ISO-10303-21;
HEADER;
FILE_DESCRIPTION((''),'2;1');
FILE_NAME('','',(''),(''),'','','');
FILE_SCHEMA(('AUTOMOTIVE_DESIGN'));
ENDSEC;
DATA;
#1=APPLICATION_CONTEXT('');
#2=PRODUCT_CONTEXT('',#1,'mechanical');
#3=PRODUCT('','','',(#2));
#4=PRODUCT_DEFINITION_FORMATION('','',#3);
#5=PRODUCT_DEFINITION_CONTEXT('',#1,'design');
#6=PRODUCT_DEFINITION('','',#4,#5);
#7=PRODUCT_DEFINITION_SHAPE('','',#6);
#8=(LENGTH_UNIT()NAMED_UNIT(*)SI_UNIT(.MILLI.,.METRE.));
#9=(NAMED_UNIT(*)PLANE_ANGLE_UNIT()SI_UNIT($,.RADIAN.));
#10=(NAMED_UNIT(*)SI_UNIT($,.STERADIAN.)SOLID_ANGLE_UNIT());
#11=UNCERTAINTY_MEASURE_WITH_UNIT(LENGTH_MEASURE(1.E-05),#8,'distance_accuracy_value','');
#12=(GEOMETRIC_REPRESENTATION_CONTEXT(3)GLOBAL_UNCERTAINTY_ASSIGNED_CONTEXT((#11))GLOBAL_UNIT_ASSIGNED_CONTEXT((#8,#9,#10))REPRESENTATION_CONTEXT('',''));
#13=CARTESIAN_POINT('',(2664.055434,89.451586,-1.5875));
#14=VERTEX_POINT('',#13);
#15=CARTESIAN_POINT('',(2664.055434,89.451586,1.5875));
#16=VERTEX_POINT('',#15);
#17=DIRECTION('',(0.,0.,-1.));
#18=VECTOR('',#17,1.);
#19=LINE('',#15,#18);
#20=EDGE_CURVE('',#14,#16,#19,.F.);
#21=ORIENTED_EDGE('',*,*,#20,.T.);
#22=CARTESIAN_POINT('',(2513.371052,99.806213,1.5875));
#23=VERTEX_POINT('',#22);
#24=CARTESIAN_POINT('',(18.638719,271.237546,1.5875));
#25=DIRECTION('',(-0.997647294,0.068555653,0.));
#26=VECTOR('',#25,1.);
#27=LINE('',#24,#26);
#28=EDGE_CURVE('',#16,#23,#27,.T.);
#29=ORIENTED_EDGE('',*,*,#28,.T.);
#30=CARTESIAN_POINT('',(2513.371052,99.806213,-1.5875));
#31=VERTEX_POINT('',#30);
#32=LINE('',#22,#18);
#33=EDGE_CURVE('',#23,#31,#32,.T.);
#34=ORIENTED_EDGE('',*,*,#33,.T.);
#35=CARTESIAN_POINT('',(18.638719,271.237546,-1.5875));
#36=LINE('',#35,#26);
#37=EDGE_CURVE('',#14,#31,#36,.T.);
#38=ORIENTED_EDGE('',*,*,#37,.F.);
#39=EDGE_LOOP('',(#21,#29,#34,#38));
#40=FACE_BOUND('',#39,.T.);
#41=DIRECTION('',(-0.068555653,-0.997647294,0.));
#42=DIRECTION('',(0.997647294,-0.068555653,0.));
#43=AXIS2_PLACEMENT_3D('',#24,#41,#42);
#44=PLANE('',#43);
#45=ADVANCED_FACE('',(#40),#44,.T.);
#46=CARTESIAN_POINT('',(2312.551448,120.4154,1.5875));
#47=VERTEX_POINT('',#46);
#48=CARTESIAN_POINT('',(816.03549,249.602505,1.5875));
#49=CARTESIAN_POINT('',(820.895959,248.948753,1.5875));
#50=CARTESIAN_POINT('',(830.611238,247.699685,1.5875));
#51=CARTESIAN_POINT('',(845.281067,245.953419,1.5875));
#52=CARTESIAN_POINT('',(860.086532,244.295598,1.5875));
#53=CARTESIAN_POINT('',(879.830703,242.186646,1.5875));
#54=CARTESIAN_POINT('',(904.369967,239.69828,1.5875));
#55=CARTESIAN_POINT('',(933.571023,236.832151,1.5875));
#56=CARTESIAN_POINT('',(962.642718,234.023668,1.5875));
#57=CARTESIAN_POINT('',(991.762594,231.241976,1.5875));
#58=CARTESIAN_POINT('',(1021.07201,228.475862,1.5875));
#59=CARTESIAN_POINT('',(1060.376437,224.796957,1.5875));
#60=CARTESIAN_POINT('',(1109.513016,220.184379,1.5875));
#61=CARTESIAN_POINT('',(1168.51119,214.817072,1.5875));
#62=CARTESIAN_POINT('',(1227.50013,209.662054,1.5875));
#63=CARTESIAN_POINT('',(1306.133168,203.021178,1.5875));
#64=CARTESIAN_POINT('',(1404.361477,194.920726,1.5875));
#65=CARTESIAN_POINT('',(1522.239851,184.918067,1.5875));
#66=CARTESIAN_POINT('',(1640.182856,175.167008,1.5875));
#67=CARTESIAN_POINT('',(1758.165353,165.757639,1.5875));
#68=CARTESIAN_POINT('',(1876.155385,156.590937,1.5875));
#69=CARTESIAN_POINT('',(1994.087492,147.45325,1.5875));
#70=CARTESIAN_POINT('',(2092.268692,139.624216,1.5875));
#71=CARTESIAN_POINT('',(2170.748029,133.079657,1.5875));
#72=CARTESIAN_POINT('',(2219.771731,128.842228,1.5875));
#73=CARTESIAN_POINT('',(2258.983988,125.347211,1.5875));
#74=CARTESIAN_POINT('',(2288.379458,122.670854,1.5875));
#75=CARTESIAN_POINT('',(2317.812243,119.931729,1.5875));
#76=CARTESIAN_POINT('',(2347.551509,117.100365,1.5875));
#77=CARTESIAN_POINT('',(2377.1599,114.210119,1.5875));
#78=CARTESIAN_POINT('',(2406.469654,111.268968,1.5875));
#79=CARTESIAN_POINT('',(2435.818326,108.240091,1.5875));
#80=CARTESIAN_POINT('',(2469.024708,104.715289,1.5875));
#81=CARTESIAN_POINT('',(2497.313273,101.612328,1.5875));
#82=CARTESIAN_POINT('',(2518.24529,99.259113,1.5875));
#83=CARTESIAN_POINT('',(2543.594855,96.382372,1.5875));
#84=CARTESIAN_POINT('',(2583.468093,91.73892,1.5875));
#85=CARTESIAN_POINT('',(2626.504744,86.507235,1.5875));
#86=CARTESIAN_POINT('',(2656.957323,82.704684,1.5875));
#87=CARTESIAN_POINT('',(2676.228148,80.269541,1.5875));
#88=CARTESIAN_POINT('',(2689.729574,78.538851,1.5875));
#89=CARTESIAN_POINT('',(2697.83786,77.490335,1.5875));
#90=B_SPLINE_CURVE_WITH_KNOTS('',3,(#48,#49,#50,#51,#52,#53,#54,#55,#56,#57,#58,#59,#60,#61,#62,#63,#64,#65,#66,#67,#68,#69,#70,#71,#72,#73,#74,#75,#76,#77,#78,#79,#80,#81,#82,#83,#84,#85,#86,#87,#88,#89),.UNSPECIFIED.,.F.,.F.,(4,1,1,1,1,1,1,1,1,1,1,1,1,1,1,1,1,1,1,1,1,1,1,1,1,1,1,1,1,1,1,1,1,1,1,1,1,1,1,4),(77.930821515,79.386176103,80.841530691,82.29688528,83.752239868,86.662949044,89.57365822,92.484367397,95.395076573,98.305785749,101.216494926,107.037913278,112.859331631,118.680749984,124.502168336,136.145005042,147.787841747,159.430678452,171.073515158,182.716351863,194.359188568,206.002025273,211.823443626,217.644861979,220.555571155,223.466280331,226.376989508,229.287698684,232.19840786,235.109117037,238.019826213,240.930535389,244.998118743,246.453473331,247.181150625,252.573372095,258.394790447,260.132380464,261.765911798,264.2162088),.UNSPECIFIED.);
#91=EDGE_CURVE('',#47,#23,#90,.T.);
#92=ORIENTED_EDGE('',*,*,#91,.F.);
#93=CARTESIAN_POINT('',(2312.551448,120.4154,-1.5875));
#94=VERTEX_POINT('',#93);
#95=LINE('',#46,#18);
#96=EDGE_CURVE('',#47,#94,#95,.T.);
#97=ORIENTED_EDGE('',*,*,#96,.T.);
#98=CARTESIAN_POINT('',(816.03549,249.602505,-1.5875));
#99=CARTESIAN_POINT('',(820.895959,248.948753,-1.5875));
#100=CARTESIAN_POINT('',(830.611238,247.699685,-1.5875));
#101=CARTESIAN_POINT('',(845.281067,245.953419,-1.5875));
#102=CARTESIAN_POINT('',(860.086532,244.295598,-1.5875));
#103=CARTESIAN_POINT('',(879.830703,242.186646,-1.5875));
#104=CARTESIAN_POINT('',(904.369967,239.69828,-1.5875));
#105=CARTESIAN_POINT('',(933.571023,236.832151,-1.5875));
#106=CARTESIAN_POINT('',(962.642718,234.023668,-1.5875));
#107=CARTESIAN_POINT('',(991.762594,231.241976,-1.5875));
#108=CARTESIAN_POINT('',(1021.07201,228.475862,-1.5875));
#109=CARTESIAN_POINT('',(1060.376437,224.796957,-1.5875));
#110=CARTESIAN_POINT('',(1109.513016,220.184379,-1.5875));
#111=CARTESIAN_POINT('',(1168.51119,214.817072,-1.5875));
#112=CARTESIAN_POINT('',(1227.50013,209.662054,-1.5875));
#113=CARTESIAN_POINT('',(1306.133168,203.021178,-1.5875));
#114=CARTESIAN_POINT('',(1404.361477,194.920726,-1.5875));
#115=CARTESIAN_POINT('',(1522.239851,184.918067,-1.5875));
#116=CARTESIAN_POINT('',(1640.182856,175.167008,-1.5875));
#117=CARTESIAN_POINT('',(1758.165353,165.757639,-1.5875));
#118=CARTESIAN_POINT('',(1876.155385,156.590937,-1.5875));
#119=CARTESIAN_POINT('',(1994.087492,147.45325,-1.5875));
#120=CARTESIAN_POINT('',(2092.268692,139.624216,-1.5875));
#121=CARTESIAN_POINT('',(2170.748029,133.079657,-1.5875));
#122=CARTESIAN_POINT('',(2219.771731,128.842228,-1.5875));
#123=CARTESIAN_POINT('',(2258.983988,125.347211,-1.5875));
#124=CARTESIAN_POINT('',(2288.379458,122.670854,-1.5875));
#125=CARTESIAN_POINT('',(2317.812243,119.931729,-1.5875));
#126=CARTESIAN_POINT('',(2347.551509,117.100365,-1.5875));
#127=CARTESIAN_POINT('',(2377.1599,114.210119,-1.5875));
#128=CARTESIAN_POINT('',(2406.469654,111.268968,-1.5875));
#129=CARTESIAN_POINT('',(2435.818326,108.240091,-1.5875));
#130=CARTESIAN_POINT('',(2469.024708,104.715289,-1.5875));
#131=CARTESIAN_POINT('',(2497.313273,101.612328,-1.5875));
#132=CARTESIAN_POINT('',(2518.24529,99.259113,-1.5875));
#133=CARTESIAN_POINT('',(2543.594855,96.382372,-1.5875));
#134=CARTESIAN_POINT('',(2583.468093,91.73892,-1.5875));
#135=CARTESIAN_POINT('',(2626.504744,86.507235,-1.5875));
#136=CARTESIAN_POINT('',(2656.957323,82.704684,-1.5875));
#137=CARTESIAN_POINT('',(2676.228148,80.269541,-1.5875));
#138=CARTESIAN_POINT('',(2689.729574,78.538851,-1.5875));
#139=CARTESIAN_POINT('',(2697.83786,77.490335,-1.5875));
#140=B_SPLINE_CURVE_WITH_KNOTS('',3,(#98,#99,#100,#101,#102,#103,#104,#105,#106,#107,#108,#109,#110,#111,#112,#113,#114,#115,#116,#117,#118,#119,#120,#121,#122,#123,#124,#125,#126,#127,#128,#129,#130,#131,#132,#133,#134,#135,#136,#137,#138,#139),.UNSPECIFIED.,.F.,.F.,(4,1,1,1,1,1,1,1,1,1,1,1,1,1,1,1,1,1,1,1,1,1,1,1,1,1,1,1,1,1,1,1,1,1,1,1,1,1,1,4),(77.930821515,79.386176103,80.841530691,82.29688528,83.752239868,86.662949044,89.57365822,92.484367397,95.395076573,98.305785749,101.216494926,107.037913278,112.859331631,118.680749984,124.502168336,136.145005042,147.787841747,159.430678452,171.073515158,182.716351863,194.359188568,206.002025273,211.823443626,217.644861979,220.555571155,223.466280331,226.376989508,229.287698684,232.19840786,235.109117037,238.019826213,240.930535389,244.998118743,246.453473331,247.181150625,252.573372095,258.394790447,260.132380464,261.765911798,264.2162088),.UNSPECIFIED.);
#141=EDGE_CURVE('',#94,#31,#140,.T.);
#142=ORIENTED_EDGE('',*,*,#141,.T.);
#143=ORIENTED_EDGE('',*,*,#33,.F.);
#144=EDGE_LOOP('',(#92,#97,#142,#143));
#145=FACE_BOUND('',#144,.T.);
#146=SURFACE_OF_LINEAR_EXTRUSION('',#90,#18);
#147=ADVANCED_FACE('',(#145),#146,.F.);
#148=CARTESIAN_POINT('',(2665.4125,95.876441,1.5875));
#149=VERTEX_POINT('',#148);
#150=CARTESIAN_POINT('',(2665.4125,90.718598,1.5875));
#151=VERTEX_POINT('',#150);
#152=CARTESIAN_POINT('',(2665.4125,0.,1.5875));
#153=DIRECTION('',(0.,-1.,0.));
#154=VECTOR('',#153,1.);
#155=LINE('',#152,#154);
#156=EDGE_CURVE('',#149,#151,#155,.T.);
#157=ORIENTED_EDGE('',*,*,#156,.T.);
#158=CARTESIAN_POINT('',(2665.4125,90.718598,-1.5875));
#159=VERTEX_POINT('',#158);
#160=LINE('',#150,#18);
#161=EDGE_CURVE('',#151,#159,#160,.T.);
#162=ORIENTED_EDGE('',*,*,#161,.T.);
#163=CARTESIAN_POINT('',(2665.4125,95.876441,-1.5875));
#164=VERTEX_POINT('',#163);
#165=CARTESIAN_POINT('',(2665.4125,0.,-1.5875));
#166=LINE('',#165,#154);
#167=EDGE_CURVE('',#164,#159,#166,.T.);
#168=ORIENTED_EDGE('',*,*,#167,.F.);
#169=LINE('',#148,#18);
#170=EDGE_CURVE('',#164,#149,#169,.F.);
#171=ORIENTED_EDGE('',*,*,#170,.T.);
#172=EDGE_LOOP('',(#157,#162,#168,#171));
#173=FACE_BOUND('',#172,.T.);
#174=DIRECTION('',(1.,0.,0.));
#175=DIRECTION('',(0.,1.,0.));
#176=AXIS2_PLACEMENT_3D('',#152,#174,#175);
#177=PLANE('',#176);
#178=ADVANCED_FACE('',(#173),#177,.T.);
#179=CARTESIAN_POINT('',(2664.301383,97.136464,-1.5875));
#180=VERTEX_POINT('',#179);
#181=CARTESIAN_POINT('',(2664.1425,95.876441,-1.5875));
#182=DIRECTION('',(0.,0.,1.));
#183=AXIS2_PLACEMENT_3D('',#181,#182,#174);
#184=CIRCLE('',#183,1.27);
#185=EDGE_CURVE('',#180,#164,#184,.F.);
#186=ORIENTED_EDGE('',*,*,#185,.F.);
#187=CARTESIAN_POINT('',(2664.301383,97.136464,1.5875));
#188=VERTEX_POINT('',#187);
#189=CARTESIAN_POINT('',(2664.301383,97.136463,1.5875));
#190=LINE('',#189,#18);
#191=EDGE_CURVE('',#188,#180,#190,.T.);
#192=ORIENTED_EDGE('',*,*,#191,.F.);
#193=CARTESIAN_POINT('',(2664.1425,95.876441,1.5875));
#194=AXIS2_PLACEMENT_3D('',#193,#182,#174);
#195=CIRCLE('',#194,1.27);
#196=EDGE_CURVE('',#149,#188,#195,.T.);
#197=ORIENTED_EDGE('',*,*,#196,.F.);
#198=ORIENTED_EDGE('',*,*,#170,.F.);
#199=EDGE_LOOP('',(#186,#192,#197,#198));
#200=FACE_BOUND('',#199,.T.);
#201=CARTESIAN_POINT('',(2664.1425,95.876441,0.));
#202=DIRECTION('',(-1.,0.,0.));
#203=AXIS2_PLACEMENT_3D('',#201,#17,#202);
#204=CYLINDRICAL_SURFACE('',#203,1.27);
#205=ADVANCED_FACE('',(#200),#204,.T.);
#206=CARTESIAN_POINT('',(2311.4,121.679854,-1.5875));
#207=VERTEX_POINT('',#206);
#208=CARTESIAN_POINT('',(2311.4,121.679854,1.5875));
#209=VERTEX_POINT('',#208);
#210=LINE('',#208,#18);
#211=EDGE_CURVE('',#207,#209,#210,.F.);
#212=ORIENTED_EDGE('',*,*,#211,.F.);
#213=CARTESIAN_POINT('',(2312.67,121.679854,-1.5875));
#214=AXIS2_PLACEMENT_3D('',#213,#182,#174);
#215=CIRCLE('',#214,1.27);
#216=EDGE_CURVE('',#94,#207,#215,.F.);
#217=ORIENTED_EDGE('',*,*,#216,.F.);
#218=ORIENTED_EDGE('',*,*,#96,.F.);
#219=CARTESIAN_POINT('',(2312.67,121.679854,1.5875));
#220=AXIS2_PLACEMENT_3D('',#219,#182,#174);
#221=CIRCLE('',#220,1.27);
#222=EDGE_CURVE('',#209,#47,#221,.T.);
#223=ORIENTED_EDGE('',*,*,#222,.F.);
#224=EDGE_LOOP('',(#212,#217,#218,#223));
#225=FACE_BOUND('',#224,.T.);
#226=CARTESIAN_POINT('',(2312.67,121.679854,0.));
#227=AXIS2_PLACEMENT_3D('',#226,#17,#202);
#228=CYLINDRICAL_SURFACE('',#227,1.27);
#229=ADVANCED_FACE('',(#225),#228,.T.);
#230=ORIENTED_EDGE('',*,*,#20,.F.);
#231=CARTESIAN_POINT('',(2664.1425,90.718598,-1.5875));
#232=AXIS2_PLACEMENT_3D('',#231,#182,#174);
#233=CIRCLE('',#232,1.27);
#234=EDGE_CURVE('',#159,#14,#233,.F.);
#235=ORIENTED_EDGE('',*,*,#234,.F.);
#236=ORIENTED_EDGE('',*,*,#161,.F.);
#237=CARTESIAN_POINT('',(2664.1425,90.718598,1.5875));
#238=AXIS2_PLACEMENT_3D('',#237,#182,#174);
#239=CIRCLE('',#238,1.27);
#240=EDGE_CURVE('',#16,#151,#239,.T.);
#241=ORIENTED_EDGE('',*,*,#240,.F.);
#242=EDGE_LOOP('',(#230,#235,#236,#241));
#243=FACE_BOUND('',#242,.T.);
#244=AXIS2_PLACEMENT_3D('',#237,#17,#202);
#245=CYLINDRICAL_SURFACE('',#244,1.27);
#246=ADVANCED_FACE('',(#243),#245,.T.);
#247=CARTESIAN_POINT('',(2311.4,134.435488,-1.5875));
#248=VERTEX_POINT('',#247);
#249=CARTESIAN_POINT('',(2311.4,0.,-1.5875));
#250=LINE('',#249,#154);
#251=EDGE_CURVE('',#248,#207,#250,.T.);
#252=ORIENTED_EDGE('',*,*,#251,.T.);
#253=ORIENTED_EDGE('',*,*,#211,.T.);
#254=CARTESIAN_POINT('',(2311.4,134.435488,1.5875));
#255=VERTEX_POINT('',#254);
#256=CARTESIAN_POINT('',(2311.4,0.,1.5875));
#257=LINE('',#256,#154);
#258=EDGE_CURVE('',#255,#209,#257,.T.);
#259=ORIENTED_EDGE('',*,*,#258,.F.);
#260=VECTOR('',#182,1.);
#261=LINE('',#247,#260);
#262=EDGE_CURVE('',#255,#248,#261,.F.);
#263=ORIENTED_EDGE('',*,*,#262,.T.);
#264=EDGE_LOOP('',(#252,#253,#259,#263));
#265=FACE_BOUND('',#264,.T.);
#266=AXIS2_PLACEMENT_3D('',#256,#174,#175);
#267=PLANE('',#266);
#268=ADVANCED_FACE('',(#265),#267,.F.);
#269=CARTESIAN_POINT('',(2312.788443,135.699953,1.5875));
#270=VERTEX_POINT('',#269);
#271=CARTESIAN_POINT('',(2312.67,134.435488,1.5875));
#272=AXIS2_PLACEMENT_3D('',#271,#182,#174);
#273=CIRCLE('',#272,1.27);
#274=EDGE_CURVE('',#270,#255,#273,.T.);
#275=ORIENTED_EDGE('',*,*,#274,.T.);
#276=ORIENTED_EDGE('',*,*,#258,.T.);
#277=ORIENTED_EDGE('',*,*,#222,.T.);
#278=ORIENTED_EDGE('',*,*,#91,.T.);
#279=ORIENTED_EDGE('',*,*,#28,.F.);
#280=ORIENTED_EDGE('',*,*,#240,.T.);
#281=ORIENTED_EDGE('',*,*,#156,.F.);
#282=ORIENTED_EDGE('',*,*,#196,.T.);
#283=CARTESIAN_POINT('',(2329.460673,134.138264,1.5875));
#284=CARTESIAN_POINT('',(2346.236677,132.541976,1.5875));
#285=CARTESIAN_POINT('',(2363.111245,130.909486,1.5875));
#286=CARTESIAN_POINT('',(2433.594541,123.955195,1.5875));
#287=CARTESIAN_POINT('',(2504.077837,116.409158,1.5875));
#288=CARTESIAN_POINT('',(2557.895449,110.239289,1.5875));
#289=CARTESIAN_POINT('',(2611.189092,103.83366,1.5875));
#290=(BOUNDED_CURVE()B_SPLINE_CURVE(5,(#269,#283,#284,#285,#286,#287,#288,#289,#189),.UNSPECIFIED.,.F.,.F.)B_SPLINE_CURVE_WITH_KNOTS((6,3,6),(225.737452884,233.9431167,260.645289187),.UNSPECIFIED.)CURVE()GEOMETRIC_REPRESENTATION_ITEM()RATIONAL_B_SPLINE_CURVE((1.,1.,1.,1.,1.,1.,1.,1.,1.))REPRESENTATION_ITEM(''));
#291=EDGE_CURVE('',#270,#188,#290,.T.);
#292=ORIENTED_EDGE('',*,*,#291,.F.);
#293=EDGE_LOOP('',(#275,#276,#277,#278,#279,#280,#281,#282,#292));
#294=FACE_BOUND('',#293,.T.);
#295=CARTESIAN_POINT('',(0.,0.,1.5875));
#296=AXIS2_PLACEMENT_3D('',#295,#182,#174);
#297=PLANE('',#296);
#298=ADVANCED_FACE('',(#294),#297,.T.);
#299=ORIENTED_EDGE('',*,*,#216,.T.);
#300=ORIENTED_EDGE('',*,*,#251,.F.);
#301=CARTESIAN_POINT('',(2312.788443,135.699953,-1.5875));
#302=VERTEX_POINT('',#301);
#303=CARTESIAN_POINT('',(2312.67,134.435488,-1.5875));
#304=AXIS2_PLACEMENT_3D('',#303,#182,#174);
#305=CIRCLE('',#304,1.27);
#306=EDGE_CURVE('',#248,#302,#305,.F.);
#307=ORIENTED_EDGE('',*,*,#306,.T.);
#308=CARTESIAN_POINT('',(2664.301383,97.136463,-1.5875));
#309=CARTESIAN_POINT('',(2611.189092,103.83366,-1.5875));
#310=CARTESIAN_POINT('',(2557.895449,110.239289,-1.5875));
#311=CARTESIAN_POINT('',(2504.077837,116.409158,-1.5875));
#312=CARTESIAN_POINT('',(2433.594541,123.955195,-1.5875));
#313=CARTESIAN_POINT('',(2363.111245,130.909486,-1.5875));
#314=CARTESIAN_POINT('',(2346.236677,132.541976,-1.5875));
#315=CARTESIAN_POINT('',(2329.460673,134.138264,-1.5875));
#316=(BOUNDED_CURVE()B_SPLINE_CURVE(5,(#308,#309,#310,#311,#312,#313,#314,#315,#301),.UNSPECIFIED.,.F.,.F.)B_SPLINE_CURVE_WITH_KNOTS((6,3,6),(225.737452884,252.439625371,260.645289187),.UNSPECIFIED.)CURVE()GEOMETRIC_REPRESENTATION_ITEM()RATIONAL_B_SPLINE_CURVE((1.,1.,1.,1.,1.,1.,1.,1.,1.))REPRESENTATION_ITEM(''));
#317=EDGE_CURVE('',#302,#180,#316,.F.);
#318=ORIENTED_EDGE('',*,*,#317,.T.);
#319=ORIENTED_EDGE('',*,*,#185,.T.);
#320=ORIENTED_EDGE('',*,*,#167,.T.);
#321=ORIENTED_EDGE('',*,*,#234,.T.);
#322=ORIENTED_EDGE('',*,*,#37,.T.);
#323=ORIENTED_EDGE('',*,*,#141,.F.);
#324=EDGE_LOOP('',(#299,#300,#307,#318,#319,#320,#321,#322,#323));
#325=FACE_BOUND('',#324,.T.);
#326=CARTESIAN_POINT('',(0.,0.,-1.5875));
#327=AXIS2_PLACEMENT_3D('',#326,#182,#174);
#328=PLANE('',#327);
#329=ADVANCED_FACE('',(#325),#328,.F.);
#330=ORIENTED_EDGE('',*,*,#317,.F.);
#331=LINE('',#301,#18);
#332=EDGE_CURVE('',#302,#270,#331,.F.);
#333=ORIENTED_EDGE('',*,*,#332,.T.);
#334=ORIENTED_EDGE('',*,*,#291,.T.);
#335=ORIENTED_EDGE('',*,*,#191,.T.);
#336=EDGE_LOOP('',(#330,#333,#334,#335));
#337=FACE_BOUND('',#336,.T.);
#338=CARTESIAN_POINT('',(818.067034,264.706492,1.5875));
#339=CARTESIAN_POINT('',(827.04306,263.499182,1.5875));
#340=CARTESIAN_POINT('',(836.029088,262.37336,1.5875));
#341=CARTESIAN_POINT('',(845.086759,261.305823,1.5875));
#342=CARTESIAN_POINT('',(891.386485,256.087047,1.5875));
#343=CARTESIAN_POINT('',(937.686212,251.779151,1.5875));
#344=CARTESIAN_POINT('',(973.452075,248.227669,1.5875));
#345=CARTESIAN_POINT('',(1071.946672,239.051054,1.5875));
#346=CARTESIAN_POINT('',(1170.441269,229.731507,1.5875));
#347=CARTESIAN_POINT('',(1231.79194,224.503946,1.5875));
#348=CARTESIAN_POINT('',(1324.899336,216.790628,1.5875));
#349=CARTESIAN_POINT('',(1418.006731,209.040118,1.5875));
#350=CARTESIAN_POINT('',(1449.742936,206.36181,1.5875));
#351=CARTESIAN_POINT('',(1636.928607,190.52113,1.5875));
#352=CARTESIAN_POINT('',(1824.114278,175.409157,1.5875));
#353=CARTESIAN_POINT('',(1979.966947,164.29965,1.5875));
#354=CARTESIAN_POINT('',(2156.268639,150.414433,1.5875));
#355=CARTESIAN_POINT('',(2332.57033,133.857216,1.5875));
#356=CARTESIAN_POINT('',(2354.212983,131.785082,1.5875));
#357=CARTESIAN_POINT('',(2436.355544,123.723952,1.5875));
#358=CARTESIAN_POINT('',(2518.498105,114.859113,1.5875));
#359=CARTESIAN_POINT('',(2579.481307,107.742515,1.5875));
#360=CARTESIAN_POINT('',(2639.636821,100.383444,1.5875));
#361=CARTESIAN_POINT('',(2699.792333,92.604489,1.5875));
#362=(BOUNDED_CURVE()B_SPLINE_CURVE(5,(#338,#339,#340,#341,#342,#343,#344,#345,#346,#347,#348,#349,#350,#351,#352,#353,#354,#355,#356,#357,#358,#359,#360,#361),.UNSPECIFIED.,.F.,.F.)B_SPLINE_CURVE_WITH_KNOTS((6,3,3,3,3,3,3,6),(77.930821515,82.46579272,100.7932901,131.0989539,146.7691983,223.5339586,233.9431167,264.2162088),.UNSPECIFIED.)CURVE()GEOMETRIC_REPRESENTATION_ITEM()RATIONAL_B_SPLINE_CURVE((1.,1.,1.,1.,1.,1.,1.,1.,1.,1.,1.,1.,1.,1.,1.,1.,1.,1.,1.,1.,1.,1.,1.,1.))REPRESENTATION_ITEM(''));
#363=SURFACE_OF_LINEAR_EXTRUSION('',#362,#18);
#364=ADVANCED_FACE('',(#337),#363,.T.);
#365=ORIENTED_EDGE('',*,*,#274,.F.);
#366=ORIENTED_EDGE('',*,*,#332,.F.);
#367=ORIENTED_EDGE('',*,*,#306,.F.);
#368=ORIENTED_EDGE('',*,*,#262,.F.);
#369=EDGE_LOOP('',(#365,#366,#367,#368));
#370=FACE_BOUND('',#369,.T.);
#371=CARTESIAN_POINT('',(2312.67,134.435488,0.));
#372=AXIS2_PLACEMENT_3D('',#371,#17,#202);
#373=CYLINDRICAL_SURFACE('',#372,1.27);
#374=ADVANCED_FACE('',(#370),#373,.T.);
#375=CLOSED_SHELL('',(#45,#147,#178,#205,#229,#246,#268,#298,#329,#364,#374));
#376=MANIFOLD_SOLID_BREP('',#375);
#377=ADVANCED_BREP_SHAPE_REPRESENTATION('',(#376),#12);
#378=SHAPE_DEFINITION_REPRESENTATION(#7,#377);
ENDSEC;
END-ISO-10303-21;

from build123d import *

# Parameters (mm, degrees)
BOSS_EXTRUDE1_DEPTH = 1.5875
FILLET1_R           = 1.27


with BuildPart() as part:
    # Sketch2 → Boss-Extrude1 (new body, symmetric)
    with BuildSketch(Plane.XY):
        with BuildLine():
            add(Edge.make_bspline(
                [(2311.4, 135.829939705), (2328.342945407, 134.244574235), (2345.393069943, 132.62356173), (2362.559217098, 130.963943098), (2433.544115673, 123.962494813), (2504.529014249, 116.360848787), (2558.570986897, 110.161821317), (2612.080990815, 103.726427275), (2665.4125, 96.996301665)],
                knots=[225.60075304, 225.60075304, 225.60075304, 225.60075304, 225.60075304, 225.60075304, 233.9431167, 233.9431167, 233.9431167, 260.757015076, 260.757015076, 260.757015076, 260.757015076, 260.757015076, 260.757015076], degree=5))
            Line((2311.4, 135.829939705), (2311.4, 120.523308441))
            add(Edge.make_bspline(
                [(2311.4, 120.523308441), (2313.552310931, 120.321692016), (2325.557433475, 119.19433883), (2347.551509172, 117.100365283), (2377.159899727, 114.21011853), (2406.469653851, 111.26896801), (2435.81832606, 108.240091266), (2469.024707522, 104.715289085), (2494.87246064, 101.880060077), (2510.934244559, 100.080155034), (2513.371052459, 99.806213346)],
                knots=[225.740445061, 225.740445061, 225.740445061, 225.740445061, 226.376989508, 229.287698684, 232.19840786, 235.109117037, 238.019826213, 240.930535389, 244.998118743, 245.725796037, 245.725796037, 245.725796037, 245.725796037], degree=3))
            Line((2513.371052459, 99.806213346), (2665.4125, 89.358331764))
            Line((2665.4125, 89.358331764), (2665.4125, 96.996301665))
        make_face()
    extrude(amount=BOSS_EXTRUDE1_DEPTH, both=True)

    # Fillet1
    fillet1_edges = [part.edges().sort_by_distance(p)[0] for p in [
        (2311.4, 120.523308441, -0.79375),
        (2311.4, 135.829939705, 0.79375),
        (2665.4125, 96.996301665, -0.79375),
        (2665.4125, 89.358331764, 0),
    ]]
    fillet(fillet1_edges, radius=FILLET1_R)


solid = part.part
